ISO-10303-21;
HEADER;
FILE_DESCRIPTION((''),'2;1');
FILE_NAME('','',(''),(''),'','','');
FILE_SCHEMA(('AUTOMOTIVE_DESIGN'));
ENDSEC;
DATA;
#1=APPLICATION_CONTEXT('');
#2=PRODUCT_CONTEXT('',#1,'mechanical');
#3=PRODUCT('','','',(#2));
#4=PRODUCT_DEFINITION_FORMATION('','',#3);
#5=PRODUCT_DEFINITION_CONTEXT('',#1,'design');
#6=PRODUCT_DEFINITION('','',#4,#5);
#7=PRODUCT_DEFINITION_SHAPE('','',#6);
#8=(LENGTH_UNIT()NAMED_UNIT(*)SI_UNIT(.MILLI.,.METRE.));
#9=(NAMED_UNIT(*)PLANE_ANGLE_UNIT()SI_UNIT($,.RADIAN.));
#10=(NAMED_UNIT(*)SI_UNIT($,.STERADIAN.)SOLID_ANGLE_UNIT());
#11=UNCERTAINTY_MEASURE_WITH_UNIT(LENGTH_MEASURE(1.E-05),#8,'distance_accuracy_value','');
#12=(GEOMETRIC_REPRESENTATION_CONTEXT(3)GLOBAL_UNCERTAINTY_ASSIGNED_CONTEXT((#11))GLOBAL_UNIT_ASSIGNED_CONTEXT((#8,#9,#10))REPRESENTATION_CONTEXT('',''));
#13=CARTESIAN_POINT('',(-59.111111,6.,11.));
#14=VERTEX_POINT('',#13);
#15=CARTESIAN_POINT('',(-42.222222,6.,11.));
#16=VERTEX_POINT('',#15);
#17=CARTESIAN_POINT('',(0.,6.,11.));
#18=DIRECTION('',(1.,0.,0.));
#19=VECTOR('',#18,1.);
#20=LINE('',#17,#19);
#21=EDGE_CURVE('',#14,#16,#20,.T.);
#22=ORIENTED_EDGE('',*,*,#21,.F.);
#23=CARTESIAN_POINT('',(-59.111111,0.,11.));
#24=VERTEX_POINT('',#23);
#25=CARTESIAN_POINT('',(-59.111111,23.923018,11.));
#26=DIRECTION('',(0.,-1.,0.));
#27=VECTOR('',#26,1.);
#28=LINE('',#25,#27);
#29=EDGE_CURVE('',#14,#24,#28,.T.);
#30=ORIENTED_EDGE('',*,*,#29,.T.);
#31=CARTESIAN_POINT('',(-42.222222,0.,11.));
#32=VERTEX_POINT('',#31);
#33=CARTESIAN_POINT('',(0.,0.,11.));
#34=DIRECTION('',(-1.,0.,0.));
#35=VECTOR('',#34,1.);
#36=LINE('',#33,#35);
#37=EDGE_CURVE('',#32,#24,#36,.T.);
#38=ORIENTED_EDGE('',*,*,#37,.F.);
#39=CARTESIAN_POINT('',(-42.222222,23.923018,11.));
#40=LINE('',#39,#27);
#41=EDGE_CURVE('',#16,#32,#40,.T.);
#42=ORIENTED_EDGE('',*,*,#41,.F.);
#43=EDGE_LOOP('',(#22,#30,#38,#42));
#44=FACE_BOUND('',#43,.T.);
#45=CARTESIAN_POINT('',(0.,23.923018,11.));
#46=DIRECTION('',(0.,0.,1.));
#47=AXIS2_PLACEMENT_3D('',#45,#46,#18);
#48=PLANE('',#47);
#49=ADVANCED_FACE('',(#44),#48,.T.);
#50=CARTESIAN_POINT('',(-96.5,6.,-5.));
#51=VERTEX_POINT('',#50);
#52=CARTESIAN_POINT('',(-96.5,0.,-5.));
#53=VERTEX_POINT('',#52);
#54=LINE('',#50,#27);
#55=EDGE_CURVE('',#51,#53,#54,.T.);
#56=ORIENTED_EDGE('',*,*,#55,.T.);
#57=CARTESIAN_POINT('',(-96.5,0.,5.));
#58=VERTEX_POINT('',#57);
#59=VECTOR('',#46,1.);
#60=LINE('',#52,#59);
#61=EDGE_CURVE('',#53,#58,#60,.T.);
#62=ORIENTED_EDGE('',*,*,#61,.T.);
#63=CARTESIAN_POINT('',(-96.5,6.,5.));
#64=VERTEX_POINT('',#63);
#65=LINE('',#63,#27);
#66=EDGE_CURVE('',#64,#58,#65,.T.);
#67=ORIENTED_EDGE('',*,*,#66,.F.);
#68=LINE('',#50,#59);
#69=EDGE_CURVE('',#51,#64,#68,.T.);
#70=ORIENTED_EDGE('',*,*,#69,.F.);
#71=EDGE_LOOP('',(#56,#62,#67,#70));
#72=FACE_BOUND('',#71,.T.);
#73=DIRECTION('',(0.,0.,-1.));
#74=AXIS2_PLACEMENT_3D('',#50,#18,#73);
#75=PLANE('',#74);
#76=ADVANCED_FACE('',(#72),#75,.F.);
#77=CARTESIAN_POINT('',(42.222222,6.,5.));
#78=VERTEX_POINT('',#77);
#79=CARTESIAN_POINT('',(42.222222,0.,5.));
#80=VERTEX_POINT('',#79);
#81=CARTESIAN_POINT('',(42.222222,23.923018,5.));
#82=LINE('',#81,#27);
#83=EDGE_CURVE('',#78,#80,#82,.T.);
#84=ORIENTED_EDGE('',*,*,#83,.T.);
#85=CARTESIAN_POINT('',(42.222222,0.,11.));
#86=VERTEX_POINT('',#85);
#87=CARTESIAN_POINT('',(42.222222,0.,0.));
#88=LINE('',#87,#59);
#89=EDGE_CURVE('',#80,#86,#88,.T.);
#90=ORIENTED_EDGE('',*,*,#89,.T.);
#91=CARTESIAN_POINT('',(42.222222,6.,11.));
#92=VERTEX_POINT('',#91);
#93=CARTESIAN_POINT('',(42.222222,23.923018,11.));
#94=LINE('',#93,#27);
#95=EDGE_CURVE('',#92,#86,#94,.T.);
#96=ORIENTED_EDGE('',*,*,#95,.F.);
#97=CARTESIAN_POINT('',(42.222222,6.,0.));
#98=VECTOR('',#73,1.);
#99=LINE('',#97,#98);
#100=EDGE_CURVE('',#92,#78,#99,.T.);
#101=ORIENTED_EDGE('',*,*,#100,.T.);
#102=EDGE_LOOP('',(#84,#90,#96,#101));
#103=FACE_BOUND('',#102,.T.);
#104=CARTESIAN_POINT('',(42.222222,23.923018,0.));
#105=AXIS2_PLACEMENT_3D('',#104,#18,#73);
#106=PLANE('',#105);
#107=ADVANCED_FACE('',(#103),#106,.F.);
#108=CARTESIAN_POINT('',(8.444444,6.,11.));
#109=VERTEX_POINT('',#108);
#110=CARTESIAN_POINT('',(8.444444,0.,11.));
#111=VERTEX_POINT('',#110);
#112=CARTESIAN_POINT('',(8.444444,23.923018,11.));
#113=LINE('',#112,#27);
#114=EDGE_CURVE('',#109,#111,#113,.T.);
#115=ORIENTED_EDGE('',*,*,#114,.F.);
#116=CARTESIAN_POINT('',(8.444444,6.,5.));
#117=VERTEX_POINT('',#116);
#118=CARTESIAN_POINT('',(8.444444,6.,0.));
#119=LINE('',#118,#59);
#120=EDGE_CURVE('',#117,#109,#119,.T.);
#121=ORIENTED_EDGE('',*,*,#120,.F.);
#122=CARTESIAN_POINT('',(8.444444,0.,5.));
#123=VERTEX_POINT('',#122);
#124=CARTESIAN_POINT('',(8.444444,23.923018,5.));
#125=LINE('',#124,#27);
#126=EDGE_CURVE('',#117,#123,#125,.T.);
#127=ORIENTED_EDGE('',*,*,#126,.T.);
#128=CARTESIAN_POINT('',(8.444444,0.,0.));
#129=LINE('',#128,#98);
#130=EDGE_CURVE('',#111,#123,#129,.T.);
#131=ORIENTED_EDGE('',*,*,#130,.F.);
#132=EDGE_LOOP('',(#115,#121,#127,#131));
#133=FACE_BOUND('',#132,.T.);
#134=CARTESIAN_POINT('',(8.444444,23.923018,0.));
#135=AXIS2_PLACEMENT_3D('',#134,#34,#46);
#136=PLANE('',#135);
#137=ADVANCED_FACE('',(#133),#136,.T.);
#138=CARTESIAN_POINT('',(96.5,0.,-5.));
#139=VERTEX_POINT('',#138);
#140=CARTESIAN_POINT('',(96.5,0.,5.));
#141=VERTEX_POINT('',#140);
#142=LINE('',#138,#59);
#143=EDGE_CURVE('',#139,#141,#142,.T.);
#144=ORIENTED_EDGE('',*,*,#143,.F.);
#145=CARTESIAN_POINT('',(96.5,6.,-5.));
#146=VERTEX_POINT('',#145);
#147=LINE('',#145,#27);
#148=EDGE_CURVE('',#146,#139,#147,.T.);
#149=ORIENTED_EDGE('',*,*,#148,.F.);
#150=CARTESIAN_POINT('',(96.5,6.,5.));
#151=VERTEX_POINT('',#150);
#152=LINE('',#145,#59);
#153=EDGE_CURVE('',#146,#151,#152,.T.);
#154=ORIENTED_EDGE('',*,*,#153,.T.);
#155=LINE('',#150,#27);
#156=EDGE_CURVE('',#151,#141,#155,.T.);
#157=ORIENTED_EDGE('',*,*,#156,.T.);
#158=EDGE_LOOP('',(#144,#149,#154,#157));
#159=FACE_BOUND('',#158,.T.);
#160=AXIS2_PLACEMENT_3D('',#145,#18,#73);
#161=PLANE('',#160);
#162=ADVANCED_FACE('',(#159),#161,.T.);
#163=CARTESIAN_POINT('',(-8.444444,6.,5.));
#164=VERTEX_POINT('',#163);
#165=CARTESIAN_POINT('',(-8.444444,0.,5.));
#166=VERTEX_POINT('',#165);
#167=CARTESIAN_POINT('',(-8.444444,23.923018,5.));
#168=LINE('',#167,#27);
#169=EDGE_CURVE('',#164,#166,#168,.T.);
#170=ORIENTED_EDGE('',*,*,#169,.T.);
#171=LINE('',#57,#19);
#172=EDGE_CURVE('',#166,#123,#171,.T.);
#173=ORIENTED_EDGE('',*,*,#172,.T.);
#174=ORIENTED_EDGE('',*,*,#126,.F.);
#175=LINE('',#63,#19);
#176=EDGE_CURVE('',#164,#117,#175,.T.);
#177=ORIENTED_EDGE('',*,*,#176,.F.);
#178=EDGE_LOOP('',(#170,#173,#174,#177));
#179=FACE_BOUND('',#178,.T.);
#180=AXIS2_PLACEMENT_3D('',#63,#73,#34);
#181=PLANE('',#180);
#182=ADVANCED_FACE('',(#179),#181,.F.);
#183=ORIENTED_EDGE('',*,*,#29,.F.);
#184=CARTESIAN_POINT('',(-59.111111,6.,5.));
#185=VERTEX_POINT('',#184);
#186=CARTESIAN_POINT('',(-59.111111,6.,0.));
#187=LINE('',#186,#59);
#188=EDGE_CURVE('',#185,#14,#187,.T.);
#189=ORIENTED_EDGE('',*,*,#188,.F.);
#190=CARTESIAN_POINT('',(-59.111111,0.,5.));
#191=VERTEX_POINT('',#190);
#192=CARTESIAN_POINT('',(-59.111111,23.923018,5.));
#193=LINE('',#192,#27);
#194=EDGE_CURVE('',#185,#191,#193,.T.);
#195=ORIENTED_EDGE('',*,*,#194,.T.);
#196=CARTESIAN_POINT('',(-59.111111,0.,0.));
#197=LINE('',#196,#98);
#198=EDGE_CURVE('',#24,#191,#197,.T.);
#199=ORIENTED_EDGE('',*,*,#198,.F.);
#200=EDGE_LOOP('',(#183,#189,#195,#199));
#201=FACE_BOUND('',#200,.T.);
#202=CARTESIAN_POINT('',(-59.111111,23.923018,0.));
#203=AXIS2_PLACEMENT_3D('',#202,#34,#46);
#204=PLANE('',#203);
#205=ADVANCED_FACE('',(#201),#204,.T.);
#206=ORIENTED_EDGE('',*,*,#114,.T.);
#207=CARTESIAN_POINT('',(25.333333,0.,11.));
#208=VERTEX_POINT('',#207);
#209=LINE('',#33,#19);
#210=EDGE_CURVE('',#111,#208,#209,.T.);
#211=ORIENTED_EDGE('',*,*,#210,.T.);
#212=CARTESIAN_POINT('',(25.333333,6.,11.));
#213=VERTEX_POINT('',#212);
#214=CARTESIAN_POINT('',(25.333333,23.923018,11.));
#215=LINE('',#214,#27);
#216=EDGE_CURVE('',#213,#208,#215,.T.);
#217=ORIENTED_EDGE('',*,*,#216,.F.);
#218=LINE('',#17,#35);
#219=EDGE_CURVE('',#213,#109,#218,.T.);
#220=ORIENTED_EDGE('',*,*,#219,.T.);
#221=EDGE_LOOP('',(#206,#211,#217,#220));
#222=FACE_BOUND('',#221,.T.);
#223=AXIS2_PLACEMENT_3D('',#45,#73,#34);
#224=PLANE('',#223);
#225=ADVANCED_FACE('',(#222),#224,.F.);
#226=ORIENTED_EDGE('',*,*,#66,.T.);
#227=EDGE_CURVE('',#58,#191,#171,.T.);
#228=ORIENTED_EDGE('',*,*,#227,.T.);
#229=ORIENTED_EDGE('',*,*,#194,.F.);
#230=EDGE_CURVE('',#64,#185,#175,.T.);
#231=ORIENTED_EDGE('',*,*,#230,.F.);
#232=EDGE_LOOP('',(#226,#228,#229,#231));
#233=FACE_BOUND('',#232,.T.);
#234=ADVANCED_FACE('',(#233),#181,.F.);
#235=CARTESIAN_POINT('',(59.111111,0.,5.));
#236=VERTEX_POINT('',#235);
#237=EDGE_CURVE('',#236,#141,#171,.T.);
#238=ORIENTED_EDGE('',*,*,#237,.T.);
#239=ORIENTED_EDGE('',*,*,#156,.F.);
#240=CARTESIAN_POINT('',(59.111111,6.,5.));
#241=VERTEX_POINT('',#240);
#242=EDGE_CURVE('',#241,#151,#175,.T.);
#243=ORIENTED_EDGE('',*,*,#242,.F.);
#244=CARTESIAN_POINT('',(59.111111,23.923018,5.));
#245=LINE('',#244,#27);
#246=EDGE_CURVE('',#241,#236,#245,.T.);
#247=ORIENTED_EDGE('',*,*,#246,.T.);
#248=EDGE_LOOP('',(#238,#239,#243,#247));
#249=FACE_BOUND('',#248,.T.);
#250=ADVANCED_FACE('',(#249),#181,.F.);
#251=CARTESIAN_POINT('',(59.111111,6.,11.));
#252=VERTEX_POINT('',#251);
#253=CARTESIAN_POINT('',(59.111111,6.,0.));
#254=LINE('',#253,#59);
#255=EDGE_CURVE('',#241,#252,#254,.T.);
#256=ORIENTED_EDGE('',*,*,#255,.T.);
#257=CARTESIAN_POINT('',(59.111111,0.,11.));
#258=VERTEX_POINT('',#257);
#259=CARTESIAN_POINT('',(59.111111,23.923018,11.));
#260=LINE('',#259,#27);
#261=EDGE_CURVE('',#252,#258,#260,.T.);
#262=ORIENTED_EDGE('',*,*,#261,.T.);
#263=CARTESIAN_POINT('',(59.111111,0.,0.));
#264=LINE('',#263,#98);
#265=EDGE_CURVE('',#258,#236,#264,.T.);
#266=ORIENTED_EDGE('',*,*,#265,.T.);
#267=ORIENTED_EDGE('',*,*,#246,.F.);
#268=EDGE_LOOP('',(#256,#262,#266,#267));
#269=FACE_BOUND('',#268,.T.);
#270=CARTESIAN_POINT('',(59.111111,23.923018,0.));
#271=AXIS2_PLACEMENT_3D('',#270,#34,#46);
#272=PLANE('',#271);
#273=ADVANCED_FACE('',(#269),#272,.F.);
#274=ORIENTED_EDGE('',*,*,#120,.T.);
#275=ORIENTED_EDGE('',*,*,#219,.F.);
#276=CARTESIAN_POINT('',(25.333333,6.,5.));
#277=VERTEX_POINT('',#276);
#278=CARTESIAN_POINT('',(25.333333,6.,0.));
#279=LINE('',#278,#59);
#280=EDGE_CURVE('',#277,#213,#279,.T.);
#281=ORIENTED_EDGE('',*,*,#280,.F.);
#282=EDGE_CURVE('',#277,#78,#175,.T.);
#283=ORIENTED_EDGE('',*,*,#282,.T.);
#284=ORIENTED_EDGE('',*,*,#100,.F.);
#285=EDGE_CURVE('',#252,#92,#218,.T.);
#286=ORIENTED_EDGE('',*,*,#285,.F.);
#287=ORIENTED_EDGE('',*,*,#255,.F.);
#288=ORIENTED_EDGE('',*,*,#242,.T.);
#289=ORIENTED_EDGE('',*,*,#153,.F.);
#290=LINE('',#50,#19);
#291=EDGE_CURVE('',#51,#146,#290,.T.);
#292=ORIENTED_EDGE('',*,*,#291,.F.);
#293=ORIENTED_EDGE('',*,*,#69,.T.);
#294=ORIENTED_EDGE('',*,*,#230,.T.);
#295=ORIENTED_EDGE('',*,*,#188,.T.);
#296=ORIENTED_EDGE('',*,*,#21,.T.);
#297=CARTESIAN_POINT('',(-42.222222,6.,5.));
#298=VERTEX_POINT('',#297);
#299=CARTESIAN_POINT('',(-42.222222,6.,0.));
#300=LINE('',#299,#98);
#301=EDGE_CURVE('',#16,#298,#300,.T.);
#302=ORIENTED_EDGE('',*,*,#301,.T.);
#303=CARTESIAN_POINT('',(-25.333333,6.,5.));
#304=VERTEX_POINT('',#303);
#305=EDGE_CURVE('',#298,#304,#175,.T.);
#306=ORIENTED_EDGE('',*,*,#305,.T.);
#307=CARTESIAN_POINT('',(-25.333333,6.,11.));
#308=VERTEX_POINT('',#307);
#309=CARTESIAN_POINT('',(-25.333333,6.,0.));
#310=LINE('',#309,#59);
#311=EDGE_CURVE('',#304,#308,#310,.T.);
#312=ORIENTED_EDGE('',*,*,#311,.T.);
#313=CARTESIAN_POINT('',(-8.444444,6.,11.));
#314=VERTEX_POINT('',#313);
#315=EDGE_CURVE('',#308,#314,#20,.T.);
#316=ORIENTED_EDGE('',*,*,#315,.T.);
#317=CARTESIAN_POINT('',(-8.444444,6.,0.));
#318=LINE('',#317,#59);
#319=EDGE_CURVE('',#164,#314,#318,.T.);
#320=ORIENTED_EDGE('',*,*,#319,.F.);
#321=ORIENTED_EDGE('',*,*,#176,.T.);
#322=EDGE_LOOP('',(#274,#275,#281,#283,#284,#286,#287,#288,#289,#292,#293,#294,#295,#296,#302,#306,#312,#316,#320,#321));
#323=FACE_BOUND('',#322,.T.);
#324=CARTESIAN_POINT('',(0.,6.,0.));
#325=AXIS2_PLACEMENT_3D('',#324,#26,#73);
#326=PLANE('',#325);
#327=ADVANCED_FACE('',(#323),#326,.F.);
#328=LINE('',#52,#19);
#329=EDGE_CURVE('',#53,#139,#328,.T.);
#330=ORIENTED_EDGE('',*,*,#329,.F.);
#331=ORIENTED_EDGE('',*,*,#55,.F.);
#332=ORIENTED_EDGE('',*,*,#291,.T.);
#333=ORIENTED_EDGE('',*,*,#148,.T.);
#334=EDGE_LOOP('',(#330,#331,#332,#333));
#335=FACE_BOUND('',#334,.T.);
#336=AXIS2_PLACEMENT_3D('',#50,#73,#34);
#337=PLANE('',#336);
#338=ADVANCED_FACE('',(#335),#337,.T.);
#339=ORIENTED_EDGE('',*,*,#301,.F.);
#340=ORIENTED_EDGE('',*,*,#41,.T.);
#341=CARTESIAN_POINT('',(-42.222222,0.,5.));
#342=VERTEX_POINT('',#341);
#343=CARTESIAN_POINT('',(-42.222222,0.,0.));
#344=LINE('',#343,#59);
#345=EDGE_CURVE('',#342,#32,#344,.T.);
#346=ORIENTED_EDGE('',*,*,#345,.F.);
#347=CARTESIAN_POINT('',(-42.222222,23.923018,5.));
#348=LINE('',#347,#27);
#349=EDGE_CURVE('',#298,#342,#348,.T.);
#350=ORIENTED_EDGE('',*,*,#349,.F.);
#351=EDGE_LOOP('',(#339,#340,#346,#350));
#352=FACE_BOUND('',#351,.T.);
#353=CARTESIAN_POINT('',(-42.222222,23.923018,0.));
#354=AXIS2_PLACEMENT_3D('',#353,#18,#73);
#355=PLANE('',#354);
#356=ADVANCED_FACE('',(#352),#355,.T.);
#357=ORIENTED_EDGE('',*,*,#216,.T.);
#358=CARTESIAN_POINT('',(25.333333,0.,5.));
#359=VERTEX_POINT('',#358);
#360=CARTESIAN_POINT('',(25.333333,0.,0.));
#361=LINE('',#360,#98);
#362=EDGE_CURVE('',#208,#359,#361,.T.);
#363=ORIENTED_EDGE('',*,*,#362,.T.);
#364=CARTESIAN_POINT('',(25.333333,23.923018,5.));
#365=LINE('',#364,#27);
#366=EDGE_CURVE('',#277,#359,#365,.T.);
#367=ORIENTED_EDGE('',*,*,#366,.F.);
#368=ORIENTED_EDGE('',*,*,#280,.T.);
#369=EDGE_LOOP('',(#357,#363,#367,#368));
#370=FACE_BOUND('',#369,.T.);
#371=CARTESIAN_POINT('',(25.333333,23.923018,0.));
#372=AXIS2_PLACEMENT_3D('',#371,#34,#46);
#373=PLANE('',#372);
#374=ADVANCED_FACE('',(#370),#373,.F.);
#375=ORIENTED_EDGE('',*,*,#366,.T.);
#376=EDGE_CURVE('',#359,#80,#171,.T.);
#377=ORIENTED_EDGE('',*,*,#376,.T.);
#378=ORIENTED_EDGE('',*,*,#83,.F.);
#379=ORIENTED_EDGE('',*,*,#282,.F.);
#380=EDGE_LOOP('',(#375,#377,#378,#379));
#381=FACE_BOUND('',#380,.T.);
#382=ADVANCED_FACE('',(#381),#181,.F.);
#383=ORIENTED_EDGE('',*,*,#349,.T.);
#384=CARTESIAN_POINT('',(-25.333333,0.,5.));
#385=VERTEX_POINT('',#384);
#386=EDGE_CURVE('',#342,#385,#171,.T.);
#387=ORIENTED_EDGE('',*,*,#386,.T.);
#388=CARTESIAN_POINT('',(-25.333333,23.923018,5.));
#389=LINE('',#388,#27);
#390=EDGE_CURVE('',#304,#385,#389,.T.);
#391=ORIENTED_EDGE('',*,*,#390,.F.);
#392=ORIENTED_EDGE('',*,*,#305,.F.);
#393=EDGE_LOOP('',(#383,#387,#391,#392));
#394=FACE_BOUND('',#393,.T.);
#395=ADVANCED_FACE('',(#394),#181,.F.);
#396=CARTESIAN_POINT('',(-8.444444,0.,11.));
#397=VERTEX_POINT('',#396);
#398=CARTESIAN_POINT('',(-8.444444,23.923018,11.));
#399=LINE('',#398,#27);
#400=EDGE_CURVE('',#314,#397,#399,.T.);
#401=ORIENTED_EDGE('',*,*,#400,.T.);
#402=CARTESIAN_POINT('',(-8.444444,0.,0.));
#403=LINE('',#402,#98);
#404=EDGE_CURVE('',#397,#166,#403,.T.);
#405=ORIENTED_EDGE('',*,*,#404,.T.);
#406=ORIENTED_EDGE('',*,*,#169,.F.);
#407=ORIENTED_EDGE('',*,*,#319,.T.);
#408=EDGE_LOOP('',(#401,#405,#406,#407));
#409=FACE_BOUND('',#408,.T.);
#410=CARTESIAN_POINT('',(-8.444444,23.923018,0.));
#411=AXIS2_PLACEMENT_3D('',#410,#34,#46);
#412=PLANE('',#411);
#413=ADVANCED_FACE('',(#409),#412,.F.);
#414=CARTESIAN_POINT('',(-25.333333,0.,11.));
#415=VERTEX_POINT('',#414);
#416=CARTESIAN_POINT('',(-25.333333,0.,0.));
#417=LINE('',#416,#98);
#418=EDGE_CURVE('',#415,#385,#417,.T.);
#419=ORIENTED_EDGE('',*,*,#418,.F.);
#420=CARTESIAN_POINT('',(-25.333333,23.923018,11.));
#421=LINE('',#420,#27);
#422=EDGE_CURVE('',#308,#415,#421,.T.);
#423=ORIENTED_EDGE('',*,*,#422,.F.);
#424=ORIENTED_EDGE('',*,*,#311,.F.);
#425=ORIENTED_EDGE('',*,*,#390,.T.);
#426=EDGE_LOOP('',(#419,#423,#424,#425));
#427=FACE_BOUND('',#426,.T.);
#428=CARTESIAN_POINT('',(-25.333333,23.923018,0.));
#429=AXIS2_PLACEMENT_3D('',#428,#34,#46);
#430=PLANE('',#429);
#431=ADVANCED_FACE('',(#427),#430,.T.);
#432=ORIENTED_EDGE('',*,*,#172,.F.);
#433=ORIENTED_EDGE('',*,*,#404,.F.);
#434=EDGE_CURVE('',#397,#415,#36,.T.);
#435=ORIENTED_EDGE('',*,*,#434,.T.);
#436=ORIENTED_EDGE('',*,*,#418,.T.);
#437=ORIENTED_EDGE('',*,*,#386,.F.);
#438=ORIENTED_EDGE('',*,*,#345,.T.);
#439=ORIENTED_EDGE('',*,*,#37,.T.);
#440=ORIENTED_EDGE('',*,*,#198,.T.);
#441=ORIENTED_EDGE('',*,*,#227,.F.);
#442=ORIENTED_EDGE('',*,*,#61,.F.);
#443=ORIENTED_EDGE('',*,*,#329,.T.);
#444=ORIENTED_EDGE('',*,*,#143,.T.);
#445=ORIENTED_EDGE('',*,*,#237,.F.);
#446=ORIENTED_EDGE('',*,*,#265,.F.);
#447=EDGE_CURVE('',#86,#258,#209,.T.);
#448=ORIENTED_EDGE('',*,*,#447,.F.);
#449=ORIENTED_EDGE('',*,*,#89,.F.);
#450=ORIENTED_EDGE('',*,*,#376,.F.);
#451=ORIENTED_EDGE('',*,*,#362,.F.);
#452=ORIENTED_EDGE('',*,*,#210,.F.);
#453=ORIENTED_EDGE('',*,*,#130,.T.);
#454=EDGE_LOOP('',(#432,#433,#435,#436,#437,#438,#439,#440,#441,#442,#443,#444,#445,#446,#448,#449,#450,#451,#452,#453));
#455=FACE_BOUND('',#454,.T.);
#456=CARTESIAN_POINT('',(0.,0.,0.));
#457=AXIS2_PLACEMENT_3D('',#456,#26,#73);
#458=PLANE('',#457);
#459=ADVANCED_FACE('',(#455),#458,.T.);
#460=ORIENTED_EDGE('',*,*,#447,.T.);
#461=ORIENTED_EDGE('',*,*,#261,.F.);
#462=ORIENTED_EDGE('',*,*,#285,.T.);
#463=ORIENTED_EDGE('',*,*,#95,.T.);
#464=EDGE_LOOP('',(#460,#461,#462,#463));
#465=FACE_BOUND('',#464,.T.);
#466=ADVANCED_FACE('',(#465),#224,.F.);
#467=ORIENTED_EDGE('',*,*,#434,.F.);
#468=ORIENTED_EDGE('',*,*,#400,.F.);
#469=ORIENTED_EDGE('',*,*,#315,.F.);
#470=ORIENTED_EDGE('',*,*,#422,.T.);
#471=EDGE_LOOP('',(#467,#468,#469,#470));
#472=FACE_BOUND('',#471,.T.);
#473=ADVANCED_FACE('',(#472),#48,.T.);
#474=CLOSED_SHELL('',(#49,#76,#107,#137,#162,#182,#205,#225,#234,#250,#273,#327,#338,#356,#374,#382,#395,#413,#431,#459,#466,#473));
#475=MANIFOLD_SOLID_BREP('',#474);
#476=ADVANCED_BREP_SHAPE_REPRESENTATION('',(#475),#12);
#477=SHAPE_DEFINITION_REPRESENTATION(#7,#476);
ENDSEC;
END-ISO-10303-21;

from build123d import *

# Parameters (mm, degrees)
SKETCH1_W           = 193
SKETCH1_H           = 10
BOSS_EXTRUDE1_DEPTH = 6
SKETCH4_W           = 16.888888889
SKETCH4_H           = 6
BOSS_EXTRUDE3_DEPTH = 6


with BuildPart() as part:
    # Sketch1 → Boss-Extrude1 (new body)
    with BuildSketch(Plane(origin=(0, 0, 0), x_dir=(1, 0, 0), z_dir=(0, 1, 0))):
        Rectangle(SKETCH1_W, SKETCH1_H)
    extrude(amount=BOSS_EXTRUDE1_DEPTH)

    # Sketch4 → Boss-Extrude3 (add)
    with BuildSketch(Plane.XZ):
        with Locations((-16.888888889, 8)):
            Rectangle(SKETCH4_W, SKETCH4_H)
        with Locations((-50.666666667, 8)):
            Rectangle(SKETCH4_W, SKETCH4_H)
    boss_extrude3 = extrude(amount=-BOSS_EXTRUDE3_DEPTH)

    # Mirror1: Boss-Extrude3 across plane
    add(boss_extrude3.mirror(Plane(origin=(0, 0, 0), x_dir=(0, 0, 1), z_dir=(1, 0, 0))))


solid = part.part
